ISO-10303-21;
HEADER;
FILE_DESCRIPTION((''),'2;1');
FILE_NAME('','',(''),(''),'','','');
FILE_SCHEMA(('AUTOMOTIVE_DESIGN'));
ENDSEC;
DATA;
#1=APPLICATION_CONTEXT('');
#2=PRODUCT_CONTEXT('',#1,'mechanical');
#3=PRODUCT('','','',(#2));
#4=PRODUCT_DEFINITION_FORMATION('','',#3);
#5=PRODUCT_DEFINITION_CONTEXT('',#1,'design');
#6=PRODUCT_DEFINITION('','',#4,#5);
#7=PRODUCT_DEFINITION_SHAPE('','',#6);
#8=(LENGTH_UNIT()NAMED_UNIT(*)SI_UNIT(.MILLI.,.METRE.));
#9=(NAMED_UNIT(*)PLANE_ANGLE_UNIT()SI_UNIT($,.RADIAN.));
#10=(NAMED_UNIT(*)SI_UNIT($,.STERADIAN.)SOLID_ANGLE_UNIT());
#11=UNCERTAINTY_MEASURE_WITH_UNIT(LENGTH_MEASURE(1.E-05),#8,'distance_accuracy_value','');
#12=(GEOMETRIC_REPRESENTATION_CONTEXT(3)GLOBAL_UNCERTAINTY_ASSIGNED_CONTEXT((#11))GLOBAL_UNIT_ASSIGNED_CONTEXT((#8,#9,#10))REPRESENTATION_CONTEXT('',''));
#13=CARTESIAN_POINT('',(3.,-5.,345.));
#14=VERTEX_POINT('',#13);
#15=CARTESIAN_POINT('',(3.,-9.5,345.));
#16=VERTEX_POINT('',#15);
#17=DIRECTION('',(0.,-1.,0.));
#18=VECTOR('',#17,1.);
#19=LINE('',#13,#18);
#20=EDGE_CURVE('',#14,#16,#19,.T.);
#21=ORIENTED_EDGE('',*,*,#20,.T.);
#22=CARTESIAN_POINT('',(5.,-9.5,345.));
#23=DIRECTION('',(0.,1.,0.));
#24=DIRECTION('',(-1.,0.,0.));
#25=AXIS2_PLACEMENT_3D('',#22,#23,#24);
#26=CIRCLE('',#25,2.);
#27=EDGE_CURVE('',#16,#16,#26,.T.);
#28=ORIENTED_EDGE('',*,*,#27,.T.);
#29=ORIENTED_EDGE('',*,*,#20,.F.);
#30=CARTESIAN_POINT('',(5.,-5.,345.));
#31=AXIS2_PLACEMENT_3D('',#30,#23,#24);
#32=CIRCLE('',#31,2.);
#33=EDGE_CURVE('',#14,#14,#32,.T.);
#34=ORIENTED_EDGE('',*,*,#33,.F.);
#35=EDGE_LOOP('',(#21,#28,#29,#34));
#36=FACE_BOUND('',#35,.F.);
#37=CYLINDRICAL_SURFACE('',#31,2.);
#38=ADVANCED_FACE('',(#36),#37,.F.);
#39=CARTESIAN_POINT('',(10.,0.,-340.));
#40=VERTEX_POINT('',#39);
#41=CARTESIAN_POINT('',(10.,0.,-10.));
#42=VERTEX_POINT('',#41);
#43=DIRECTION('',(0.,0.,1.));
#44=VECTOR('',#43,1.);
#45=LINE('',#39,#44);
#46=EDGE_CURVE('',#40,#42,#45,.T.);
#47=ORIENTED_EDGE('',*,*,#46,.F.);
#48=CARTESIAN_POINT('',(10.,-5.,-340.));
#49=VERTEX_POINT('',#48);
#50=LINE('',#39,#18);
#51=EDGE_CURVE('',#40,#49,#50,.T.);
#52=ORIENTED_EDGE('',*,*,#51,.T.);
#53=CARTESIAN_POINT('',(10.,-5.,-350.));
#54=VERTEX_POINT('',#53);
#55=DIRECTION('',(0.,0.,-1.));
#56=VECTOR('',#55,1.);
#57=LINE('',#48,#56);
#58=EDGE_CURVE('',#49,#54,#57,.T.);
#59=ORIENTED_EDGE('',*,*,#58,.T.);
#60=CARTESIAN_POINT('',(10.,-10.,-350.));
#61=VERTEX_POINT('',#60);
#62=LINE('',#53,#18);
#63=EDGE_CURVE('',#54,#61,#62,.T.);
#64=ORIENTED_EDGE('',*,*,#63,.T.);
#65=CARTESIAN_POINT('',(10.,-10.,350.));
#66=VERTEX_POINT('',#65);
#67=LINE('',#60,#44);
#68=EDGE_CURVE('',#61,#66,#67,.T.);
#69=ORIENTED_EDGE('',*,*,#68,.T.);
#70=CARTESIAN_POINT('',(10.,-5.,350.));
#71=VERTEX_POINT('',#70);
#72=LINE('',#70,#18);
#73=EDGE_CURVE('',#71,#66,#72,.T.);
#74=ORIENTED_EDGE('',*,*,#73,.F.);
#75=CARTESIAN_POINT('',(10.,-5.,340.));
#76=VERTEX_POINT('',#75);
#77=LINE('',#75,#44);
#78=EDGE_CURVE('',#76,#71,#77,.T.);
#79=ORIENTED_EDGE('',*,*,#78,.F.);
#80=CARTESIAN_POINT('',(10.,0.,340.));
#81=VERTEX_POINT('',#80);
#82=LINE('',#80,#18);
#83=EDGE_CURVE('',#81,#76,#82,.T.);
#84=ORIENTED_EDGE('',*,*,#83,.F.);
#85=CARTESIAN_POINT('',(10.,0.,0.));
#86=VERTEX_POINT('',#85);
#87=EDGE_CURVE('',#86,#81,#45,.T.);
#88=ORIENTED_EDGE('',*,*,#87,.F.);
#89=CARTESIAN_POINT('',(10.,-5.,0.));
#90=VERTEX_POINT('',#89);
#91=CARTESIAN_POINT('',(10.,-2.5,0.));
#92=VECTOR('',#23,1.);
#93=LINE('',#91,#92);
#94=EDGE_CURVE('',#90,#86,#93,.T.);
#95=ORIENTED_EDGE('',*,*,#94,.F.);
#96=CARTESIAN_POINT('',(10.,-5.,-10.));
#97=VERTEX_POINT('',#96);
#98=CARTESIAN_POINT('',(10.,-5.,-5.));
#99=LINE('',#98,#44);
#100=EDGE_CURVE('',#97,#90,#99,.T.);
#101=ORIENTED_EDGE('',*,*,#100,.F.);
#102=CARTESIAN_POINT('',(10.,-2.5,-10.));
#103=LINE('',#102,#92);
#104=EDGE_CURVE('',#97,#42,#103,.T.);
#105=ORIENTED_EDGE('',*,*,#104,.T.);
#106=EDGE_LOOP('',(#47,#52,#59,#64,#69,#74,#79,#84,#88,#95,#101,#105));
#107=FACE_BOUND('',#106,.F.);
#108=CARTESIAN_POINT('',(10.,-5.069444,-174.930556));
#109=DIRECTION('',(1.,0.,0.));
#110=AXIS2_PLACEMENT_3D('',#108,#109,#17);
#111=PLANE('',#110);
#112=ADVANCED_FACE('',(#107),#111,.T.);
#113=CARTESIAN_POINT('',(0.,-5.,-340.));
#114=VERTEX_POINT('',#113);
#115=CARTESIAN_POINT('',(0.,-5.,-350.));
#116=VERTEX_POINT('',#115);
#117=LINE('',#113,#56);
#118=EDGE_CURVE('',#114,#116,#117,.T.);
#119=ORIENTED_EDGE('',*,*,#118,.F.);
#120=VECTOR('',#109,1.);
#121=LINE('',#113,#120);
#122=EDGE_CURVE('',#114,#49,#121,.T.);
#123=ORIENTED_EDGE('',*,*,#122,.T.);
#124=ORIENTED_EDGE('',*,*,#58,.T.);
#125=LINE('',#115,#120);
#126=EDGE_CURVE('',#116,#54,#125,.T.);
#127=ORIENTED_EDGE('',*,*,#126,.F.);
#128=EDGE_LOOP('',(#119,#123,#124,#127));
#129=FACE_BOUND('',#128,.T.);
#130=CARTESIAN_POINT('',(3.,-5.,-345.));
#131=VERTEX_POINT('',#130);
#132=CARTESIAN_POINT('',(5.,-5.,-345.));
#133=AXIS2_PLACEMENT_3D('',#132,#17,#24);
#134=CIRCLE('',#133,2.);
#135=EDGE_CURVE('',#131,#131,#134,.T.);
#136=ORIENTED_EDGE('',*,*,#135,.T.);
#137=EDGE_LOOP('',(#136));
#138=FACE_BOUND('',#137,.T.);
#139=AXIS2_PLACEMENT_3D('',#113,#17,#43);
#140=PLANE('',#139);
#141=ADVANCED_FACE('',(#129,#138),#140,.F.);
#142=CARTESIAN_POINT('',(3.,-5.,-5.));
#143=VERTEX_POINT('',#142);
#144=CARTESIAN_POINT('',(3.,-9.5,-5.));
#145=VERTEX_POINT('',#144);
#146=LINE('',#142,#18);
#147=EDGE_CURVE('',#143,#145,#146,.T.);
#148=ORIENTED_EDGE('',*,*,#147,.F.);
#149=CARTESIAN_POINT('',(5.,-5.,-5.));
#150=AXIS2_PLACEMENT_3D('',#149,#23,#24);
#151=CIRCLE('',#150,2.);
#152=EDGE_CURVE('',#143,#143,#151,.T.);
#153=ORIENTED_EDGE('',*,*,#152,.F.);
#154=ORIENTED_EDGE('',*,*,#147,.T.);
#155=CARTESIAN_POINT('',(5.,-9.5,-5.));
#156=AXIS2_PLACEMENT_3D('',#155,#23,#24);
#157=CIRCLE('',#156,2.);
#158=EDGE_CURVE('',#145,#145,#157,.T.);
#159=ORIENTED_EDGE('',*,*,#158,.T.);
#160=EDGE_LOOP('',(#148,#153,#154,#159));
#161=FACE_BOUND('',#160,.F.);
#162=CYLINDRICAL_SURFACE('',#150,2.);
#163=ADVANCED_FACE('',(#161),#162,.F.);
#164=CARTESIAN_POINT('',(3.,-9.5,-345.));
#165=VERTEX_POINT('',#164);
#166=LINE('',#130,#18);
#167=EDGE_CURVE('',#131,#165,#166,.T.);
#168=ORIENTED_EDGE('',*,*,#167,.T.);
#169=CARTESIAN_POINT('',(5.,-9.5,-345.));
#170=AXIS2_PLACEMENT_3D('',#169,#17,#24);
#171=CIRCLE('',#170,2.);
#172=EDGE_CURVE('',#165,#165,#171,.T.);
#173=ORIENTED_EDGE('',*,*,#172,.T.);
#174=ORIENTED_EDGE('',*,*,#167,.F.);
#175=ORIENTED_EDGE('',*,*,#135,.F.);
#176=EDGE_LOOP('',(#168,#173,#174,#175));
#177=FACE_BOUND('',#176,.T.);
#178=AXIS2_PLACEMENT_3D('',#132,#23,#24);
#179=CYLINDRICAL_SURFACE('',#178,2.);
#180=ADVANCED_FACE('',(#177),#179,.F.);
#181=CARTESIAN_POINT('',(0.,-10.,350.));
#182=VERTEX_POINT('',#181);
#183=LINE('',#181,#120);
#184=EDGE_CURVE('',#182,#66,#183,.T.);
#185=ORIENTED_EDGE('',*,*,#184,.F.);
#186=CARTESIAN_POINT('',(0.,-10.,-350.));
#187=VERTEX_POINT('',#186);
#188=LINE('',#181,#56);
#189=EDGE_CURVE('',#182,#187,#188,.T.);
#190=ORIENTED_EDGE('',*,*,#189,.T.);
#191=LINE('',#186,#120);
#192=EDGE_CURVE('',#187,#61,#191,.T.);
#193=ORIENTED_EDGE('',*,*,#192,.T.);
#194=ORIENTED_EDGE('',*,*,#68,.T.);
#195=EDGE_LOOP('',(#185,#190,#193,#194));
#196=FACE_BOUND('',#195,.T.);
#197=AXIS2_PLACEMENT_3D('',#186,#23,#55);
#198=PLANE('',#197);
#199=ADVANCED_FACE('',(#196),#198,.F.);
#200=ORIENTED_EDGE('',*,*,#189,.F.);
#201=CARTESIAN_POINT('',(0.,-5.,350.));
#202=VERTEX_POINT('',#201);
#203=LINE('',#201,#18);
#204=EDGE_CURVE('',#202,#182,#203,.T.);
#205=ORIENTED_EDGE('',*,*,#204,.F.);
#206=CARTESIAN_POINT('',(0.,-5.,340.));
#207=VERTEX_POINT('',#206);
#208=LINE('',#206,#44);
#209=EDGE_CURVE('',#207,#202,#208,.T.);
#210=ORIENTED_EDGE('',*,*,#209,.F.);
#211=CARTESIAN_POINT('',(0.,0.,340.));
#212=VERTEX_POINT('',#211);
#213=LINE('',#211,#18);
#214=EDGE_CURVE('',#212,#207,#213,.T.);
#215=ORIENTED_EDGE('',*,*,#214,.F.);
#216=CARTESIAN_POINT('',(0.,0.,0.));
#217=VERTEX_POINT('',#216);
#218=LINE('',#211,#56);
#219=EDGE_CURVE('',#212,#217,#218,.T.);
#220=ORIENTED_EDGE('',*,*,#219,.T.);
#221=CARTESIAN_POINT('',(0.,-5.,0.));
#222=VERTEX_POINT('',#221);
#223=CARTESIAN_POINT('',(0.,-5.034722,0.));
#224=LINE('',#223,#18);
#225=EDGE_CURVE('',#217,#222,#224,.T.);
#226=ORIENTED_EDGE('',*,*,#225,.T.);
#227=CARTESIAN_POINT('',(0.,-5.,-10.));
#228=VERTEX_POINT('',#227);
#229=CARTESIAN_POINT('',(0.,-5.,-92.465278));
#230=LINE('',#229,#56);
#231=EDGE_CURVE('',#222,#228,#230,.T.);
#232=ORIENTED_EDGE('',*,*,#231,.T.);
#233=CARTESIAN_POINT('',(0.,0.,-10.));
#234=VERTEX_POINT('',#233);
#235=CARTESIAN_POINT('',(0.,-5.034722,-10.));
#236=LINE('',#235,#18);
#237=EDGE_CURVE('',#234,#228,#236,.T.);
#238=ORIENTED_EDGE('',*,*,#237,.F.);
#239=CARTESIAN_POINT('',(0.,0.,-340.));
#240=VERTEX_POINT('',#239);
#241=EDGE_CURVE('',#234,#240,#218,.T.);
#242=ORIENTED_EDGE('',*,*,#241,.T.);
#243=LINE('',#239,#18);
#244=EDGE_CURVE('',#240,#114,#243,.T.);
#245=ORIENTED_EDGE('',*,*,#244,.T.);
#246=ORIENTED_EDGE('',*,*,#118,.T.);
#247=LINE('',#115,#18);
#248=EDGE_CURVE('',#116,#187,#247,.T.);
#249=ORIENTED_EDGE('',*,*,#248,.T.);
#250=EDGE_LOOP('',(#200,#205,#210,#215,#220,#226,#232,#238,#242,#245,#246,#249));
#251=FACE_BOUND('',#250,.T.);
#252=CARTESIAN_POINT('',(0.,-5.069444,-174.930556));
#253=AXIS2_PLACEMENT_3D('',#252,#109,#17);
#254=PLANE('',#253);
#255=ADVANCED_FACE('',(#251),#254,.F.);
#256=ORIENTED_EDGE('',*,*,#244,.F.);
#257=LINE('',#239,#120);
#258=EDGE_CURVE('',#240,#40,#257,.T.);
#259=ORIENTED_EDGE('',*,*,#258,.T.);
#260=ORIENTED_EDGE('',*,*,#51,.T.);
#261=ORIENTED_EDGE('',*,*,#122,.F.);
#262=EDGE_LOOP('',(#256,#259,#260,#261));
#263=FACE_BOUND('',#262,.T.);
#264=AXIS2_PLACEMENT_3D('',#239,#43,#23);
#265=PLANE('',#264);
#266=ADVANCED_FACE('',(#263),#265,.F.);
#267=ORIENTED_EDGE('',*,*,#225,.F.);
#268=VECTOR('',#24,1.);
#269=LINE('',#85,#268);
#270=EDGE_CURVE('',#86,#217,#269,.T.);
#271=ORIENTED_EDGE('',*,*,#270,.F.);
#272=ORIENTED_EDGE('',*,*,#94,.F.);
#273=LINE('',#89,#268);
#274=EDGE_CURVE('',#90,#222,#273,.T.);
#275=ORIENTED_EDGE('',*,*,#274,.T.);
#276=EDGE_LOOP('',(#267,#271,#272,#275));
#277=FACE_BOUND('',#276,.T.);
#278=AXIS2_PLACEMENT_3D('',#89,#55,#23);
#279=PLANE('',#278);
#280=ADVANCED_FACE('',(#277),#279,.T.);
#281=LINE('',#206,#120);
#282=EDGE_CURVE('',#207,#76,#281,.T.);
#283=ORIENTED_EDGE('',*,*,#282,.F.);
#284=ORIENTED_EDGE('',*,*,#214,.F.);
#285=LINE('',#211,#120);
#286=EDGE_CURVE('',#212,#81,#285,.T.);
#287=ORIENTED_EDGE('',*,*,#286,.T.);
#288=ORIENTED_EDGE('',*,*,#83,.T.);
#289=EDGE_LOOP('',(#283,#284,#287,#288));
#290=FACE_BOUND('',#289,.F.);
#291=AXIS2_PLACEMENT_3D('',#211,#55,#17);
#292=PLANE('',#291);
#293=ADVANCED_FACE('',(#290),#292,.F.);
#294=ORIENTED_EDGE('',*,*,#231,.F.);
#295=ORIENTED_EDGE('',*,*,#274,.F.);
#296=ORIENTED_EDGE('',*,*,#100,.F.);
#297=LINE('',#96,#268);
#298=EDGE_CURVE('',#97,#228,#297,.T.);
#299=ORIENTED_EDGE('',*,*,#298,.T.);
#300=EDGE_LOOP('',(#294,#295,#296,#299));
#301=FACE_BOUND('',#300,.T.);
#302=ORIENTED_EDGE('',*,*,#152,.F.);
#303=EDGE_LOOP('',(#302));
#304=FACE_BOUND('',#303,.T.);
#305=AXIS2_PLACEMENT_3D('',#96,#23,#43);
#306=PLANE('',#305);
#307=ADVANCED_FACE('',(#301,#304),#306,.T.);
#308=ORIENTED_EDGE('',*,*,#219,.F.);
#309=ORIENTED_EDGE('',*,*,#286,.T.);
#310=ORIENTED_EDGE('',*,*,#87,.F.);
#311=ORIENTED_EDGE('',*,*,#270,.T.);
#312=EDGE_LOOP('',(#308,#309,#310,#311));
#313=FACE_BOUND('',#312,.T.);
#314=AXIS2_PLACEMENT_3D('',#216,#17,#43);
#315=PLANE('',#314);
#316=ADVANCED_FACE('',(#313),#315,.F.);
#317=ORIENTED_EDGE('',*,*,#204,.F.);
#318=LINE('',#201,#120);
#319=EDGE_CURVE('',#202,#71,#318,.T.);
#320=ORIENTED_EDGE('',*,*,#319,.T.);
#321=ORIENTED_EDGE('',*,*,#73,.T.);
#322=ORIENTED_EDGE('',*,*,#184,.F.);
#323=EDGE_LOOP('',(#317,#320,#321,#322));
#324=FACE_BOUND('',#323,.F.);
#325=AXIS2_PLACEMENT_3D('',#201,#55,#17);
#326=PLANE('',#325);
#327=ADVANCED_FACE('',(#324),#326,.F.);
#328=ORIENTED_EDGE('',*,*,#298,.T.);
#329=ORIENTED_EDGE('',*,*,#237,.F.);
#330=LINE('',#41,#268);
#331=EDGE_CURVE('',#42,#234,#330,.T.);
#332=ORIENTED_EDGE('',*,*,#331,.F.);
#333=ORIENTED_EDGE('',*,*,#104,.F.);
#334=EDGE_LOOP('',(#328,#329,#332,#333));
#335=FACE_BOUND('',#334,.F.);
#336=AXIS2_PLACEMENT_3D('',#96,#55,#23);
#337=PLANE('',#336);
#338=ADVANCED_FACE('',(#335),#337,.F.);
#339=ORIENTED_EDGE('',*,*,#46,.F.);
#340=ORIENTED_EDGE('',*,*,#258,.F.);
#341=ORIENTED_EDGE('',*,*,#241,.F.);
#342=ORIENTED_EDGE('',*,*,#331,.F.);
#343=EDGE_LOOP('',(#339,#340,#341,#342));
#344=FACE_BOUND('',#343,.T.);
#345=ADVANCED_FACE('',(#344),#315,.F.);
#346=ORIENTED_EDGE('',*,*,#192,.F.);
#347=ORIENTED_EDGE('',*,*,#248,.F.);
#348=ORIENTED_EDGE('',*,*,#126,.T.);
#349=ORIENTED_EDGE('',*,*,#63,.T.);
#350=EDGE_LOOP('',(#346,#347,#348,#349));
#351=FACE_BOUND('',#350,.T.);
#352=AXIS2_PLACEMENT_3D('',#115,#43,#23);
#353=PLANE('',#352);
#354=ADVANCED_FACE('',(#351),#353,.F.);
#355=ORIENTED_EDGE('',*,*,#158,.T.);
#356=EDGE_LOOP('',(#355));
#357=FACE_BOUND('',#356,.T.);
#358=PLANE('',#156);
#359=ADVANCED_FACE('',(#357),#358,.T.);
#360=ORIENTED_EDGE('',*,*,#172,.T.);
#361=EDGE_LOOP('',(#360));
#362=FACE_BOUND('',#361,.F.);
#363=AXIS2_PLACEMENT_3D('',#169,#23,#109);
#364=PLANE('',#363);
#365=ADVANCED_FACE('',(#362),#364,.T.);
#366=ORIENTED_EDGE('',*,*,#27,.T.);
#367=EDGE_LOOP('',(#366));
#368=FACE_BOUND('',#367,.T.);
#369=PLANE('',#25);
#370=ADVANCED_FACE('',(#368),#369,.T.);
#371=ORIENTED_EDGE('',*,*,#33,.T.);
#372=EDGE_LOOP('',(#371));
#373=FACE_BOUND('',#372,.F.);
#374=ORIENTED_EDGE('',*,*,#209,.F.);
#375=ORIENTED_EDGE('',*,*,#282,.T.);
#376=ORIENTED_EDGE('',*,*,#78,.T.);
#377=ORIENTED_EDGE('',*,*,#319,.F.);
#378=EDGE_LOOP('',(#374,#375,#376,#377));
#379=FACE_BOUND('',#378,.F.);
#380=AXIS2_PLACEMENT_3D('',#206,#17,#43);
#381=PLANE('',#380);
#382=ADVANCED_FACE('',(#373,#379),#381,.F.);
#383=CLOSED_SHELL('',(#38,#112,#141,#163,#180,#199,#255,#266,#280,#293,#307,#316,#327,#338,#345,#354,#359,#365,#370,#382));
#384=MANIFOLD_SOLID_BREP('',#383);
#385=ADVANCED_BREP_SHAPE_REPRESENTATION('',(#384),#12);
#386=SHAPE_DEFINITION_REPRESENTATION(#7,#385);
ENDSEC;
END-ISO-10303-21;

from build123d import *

# Parameters (mm, degrees)
F1_DEPTH = 10
F2_R     = 2
F3_DEPTH = 4.5
F5_W     = 5
F5_H     = 10
F6_DEPTH = 10.001
F7_R     = 2
F8_DEPTH = 4.5


with BuildPart() as f1:
    # F0 (on Right) → F1 (new body)
    with BuildSketch(Plane.YZ):
        Polygon((-10, 0), (0, 0), (0, 340), (-5, 340), (-5, 350), (-10, 350), align=None)
    extrude(amount=F1_DEPTH)

    # F2 (on face) → F3 (cut)
    with BuildSketch(Plane(origin=(0, -5, 0), x_dir=(-1, 0, 0), z_dir=(0, 1, 0))):
        with Locations((-5, 345)):
            Circle(F2_R)
    extrude(amount=-F3_DEPTH, mode=Mode.SUBTRACT)

    # F4: F1 across plane


with BuildPart() as f1_1:
    add(f1.part)
    add(f1.part.mirror(Plane.XY))

    # F5 (on face) → F6 (cut, through all)
    with BuildSketch(Plane.YZ.offset(10)):
        with Locations((-2.5, -5)):
            Rectangle(F5_W, F5_H)
    extrude(amount=-F6_DEPTH, mode=Mode.SUBTRACT)

    # F7 (on face) → F8 (cut)
    with BuildSketch(Plane(origin=(0, -5, 0), x_dir=(-1, 0, 0), z_dir=(0, 1, 0))):
        with Locations((-5, -5)):
            Circle(F7_R)
    extrude(amount=-F8_DEPTH, mode=Mode.SUBTRACT)


solid = f1_1.part
